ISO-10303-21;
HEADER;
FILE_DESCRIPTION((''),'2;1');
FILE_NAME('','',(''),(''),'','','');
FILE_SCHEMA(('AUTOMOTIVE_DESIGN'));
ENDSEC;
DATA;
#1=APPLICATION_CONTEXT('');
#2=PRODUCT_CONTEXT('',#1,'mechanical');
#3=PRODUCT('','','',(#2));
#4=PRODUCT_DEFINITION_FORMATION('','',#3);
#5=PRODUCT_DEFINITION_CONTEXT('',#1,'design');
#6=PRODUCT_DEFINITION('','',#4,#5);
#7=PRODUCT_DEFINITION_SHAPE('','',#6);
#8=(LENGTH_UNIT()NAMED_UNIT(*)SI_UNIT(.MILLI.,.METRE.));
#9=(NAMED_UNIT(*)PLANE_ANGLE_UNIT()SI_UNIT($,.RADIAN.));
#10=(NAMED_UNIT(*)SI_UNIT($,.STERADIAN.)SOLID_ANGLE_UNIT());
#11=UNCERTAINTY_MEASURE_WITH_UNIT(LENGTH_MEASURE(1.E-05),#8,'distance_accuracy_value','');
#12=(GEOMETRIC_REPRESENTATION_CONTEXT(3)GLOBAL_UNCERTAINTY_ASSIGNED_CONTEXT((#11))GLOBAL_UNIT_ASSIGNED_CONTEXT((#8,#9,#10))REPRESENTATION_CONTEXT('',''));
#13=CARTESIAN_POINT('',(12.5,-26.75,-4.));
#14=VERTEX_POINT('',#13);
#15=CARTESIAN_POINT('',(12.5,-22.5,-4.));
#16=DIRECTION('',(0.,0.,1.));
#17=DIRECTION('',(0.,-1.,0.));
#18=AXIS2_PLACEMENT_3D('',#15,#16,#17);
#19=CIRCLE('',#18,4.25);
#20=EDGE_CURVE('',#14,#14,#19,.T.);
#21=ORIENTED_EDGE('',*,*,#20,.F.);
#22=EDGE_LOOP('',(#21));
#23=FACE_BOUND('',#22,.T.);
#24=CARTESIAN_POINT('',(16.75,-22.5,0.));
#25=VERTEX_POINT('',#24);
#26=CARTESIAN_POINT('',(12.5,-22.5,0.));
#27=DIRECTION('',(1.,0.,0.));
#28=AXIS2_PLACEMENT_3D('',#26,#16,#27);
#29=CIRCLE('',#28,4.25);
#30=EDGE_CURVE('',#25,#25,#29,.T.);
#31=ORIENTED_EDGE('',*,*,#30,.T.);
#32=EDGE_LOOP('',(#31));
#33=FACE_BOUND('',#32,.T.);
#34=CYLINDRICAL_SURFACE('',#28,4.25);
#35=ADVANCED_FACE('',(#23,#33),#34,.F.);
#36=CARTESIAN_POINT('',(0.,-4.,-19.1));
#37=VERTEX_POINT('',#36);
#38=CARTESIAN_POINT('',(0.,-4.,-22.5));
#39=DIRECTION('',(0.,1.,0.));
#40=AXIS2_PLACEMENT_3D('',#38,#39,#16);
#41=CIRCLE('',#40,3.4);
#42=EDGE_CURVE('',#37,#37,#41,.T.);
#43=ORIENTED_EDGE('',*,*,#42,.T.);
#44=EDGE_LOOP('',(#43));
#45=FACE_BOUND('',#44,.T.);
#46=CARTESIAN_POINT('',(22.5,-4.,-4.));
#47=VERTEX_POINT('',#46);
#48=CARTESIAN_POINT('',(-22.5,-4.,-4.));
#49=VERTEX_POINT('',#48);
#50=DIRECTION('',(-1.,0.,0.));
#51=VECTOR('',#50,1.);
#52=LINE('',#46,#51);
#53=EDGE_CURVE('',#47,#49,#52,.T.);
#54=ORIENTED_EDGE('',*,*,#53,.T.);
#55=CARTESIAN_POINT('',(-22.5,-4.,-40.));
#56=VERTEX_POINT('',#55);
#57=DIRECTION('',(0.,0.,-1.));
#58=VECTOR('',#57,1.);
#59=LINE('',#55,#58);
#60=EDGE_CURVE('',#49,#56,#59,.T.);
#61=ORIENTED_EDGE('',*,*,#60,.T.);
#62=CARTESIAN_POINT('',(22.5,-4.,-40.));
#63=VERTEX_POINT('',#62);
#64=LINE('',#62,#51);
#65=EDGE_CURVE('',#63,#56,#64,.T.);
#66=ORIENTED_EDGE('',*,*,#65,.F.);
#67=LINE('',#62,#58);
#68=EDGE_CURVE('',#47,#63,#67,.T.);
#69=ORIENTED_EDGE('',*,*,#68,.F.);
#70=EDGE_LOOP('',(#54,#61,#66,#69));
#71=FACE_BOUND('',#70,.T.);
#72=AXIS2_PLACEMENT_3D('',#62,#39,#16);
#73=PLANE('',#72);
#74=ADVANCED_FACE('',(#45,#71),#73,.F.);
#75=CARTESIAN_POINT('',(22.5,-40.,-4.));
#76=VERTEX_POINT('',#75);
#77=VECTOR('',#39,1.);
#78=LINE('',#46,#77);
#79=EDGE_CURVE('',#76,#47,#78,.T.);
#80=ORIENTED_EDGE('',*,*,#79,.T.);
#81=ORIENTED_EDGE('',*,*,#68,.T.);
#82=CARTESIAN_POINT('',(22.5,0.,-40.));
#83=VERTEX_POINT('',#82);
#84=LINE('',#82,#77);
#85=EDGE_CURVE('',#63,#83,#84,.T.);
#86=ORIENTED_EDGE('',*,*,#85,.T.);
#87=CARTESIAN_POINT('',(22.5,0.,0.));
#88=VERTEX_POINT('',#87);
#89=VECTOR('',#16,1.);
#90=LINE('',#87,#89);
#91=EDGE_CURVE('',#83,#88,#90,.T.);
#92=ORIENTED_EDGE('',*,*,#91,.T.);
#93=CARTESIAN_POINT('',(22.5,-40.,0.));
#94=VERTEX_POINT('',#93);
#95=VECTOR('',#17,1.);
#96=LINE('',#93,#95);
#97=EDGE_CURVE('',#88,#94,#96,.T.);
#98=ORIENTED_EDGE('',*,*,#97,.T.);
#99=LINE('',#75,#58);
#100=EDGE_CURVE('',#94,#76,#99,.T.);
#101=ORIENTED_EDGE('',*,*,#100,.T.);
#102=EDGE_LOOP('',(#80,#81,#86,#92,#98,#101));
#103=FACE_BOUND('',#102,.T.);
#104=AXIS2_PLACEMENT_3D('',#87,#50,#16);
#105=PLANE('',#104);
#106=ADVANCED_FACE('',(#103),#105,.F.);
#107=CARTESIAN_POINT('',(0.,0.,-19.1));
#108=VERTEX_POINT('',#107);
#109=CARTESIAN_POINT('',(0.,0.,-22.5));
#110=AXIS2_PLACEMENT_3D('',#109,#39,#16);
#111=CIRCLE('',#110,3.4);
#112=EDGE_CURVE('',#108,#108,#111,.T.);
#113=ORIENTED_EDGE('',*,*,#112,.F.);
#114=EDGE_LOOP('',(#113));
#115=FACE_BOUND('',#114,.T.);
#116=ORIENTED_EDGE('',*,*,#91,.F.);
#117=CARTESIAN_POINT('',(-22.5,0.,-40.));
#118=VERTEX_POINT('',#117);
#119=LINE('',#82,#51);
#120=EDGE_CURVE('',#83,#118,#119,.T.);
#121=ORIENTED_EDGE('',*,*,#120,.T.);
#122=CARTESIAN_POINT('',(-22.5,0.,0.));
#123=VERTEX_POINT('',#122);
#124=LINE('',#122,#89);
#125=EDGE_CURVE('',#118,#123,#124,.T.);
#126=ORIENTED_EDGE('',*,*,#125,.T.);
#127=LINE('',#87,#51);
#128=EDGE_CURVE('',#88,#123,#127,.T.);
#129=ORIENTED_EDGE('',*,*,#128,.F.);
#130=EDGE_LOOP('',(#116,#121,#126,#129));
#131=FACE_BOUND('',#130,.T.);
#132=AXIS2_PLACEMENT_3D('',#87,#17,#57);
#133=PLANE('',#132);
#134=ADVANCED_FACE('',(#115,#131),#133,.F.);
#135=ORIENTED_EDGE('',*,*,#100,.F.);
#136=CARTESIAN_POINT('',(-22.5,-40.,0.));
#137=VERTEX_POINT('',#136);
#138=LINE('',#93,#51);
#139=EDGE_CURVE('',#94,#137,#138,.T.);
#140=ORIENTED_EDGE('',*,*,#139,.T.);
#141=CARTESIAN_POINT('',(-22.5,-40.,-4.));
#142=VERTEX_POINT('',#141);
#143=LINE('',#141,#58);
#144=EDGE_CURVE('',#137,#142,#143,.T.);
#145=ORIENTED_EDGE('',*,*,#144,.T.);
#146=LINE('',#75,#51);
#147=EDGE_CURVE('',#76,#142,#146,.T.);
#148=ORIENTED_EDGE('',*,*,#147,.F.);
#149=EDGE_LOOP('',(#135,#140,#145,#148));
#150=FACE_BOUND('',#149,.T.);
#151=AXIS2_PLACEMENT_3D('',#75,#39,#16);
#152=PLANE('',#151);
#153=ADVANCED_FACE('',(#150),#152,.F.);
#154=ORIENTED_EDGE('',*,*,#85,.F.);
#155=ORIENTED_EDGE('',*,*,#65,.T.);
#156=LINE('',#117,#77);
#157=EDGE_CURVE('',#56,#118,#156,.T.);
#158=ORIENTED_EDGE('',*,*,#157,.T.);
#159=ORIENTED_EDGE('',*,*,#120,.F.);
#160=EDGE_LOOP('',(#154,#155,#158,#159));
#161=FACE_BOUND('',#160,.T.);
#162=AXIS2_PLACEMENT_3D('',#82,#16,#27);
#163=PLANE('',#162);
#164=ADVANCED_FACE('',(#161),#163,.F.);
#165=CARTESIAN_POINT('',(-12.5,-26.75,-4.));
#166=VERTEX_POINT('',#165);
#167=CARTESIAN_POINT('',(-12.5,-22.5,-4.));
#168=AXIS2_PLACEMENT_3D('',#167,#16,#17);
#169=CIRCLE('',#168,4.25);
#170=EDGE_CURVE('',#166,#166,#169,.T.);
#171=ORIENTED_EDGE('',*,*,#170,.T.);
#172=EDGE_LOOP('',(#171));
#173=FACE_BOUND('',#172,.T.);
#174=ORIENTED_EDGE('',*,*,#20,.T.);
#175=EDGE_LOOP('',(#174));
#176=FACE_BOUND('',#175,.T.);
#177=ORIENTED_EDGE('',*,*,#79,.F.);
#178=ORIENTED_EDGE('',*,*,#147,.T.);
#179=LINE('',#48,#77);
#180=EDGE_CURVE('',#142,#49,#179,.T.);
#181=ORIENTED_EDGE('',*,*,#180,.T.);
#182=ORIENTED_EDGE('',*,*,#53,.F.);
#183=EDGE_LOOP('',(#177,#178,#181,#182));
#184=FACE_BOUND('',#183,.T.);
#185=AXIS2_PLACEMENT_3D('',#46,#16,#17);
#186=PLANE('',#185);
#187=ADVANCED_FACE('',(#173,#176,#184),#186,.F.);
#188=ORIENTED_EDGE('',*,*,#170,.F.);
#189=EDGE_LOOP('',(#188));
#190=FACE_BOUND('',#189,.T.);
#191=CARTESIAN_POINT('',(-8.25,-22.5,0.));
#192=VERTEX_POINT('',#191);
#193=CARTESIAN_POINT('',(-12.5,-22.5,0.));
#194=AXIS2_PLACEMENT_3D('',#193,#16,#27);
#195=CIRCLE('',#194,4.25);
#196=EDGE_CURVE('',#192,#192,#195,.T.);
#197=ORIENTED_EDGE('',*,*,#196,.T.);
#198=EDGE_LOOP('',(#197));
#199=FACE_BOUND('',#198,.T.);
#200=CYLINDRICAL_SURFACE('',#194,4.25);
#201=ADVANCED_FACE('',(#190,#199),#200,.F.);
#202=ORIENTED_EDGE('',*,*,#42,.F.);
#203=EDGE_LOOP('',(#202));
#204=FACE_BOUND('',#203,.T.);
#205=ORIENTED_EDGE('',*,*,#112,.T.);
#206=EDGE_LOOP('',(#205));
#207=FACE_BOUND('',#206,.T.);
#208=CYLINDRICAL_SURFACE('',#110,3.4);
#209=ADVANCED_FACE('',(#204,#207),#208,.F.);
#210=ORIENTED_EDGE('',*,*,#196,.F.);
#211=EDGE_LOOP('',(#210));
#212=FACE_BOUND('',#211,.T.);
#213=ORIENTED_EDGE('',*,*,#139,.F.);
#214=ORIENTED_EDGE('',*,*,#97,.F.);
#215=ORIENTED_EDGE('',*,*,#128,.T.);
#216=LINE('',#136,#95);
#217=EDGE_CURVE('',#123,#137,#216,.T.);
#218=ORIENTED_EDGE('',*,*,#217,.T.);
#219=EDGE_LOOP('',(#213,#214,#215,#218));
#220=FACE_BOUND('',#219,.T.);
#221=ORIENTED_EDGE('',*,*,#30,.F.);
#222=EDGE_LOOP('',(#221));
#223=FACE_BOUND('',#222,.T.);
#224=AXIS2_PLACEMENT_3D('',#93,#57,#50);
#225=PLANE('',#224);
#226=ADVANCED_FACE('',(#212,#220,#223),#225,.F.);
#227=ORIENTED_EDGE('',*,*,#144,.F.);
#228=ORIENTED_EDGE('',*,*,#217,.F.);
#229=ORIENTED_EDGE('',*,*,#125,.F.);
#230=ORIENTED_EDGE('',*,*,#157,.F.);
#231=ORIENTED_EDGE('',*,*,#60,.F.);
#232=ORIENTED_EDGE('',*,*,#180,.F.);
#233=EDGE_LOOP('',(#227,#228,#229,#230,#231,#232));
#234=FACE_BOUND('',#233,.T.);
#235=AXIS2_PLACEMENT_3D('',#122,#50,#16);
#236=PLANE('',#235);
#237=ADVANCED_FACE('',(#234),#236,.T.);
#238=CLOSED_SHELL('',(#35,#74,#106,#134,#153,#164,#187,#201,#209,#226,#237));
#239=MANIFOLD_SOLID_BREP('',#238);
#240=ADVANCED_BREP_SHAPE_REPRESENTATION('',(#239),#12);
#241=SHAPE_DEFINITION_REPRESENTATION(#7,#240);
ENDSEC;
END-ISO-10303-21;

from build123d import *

# Parameters (mm, degrees)
BOSS_EXTRUDE1_DEPTH        = 22.5
M8_TAPPED_HOLE1_D          = 6.8
F_8_5_8_5_DIAMETER_HOLE2_D = 8.5


with BuildPart() as part:
    # Sketch1 → Boss-Extrude1 (new, symmetric)
    with BuildSketch(Plane(origin=(0, 0, 0), x_dir=(0, 0, -1), z_dir=(1, 0, 0))):
        Polygon((0, -40), (0, 0), (40, 0), (40, -4), (4, -4), (4, -40), align=None)
    extrude(amount=BOSS_EXTRUDE1_DEPTH, both=True)

    # M8 Tapped Hole1 (through all)
    with Locations(Plane(origin=(0, 0, 0), x_dir=(1, 0, 0), z_dir=(0, 1, 0))):
        with Locations((0, 22.5)):
            Hole(M8_TAPPED_HOLE1_D / 2)

    # Ø8.5 (8.5) Diameter Hole2 (through all)
    with Locations(Plane.XY):
        with Locations((-12.5, -22.5), (12.5, -22.5)):
            Hole(F_8_5_8_5_DIAMETER_HOLE2_D / 2)


solid = part.part
